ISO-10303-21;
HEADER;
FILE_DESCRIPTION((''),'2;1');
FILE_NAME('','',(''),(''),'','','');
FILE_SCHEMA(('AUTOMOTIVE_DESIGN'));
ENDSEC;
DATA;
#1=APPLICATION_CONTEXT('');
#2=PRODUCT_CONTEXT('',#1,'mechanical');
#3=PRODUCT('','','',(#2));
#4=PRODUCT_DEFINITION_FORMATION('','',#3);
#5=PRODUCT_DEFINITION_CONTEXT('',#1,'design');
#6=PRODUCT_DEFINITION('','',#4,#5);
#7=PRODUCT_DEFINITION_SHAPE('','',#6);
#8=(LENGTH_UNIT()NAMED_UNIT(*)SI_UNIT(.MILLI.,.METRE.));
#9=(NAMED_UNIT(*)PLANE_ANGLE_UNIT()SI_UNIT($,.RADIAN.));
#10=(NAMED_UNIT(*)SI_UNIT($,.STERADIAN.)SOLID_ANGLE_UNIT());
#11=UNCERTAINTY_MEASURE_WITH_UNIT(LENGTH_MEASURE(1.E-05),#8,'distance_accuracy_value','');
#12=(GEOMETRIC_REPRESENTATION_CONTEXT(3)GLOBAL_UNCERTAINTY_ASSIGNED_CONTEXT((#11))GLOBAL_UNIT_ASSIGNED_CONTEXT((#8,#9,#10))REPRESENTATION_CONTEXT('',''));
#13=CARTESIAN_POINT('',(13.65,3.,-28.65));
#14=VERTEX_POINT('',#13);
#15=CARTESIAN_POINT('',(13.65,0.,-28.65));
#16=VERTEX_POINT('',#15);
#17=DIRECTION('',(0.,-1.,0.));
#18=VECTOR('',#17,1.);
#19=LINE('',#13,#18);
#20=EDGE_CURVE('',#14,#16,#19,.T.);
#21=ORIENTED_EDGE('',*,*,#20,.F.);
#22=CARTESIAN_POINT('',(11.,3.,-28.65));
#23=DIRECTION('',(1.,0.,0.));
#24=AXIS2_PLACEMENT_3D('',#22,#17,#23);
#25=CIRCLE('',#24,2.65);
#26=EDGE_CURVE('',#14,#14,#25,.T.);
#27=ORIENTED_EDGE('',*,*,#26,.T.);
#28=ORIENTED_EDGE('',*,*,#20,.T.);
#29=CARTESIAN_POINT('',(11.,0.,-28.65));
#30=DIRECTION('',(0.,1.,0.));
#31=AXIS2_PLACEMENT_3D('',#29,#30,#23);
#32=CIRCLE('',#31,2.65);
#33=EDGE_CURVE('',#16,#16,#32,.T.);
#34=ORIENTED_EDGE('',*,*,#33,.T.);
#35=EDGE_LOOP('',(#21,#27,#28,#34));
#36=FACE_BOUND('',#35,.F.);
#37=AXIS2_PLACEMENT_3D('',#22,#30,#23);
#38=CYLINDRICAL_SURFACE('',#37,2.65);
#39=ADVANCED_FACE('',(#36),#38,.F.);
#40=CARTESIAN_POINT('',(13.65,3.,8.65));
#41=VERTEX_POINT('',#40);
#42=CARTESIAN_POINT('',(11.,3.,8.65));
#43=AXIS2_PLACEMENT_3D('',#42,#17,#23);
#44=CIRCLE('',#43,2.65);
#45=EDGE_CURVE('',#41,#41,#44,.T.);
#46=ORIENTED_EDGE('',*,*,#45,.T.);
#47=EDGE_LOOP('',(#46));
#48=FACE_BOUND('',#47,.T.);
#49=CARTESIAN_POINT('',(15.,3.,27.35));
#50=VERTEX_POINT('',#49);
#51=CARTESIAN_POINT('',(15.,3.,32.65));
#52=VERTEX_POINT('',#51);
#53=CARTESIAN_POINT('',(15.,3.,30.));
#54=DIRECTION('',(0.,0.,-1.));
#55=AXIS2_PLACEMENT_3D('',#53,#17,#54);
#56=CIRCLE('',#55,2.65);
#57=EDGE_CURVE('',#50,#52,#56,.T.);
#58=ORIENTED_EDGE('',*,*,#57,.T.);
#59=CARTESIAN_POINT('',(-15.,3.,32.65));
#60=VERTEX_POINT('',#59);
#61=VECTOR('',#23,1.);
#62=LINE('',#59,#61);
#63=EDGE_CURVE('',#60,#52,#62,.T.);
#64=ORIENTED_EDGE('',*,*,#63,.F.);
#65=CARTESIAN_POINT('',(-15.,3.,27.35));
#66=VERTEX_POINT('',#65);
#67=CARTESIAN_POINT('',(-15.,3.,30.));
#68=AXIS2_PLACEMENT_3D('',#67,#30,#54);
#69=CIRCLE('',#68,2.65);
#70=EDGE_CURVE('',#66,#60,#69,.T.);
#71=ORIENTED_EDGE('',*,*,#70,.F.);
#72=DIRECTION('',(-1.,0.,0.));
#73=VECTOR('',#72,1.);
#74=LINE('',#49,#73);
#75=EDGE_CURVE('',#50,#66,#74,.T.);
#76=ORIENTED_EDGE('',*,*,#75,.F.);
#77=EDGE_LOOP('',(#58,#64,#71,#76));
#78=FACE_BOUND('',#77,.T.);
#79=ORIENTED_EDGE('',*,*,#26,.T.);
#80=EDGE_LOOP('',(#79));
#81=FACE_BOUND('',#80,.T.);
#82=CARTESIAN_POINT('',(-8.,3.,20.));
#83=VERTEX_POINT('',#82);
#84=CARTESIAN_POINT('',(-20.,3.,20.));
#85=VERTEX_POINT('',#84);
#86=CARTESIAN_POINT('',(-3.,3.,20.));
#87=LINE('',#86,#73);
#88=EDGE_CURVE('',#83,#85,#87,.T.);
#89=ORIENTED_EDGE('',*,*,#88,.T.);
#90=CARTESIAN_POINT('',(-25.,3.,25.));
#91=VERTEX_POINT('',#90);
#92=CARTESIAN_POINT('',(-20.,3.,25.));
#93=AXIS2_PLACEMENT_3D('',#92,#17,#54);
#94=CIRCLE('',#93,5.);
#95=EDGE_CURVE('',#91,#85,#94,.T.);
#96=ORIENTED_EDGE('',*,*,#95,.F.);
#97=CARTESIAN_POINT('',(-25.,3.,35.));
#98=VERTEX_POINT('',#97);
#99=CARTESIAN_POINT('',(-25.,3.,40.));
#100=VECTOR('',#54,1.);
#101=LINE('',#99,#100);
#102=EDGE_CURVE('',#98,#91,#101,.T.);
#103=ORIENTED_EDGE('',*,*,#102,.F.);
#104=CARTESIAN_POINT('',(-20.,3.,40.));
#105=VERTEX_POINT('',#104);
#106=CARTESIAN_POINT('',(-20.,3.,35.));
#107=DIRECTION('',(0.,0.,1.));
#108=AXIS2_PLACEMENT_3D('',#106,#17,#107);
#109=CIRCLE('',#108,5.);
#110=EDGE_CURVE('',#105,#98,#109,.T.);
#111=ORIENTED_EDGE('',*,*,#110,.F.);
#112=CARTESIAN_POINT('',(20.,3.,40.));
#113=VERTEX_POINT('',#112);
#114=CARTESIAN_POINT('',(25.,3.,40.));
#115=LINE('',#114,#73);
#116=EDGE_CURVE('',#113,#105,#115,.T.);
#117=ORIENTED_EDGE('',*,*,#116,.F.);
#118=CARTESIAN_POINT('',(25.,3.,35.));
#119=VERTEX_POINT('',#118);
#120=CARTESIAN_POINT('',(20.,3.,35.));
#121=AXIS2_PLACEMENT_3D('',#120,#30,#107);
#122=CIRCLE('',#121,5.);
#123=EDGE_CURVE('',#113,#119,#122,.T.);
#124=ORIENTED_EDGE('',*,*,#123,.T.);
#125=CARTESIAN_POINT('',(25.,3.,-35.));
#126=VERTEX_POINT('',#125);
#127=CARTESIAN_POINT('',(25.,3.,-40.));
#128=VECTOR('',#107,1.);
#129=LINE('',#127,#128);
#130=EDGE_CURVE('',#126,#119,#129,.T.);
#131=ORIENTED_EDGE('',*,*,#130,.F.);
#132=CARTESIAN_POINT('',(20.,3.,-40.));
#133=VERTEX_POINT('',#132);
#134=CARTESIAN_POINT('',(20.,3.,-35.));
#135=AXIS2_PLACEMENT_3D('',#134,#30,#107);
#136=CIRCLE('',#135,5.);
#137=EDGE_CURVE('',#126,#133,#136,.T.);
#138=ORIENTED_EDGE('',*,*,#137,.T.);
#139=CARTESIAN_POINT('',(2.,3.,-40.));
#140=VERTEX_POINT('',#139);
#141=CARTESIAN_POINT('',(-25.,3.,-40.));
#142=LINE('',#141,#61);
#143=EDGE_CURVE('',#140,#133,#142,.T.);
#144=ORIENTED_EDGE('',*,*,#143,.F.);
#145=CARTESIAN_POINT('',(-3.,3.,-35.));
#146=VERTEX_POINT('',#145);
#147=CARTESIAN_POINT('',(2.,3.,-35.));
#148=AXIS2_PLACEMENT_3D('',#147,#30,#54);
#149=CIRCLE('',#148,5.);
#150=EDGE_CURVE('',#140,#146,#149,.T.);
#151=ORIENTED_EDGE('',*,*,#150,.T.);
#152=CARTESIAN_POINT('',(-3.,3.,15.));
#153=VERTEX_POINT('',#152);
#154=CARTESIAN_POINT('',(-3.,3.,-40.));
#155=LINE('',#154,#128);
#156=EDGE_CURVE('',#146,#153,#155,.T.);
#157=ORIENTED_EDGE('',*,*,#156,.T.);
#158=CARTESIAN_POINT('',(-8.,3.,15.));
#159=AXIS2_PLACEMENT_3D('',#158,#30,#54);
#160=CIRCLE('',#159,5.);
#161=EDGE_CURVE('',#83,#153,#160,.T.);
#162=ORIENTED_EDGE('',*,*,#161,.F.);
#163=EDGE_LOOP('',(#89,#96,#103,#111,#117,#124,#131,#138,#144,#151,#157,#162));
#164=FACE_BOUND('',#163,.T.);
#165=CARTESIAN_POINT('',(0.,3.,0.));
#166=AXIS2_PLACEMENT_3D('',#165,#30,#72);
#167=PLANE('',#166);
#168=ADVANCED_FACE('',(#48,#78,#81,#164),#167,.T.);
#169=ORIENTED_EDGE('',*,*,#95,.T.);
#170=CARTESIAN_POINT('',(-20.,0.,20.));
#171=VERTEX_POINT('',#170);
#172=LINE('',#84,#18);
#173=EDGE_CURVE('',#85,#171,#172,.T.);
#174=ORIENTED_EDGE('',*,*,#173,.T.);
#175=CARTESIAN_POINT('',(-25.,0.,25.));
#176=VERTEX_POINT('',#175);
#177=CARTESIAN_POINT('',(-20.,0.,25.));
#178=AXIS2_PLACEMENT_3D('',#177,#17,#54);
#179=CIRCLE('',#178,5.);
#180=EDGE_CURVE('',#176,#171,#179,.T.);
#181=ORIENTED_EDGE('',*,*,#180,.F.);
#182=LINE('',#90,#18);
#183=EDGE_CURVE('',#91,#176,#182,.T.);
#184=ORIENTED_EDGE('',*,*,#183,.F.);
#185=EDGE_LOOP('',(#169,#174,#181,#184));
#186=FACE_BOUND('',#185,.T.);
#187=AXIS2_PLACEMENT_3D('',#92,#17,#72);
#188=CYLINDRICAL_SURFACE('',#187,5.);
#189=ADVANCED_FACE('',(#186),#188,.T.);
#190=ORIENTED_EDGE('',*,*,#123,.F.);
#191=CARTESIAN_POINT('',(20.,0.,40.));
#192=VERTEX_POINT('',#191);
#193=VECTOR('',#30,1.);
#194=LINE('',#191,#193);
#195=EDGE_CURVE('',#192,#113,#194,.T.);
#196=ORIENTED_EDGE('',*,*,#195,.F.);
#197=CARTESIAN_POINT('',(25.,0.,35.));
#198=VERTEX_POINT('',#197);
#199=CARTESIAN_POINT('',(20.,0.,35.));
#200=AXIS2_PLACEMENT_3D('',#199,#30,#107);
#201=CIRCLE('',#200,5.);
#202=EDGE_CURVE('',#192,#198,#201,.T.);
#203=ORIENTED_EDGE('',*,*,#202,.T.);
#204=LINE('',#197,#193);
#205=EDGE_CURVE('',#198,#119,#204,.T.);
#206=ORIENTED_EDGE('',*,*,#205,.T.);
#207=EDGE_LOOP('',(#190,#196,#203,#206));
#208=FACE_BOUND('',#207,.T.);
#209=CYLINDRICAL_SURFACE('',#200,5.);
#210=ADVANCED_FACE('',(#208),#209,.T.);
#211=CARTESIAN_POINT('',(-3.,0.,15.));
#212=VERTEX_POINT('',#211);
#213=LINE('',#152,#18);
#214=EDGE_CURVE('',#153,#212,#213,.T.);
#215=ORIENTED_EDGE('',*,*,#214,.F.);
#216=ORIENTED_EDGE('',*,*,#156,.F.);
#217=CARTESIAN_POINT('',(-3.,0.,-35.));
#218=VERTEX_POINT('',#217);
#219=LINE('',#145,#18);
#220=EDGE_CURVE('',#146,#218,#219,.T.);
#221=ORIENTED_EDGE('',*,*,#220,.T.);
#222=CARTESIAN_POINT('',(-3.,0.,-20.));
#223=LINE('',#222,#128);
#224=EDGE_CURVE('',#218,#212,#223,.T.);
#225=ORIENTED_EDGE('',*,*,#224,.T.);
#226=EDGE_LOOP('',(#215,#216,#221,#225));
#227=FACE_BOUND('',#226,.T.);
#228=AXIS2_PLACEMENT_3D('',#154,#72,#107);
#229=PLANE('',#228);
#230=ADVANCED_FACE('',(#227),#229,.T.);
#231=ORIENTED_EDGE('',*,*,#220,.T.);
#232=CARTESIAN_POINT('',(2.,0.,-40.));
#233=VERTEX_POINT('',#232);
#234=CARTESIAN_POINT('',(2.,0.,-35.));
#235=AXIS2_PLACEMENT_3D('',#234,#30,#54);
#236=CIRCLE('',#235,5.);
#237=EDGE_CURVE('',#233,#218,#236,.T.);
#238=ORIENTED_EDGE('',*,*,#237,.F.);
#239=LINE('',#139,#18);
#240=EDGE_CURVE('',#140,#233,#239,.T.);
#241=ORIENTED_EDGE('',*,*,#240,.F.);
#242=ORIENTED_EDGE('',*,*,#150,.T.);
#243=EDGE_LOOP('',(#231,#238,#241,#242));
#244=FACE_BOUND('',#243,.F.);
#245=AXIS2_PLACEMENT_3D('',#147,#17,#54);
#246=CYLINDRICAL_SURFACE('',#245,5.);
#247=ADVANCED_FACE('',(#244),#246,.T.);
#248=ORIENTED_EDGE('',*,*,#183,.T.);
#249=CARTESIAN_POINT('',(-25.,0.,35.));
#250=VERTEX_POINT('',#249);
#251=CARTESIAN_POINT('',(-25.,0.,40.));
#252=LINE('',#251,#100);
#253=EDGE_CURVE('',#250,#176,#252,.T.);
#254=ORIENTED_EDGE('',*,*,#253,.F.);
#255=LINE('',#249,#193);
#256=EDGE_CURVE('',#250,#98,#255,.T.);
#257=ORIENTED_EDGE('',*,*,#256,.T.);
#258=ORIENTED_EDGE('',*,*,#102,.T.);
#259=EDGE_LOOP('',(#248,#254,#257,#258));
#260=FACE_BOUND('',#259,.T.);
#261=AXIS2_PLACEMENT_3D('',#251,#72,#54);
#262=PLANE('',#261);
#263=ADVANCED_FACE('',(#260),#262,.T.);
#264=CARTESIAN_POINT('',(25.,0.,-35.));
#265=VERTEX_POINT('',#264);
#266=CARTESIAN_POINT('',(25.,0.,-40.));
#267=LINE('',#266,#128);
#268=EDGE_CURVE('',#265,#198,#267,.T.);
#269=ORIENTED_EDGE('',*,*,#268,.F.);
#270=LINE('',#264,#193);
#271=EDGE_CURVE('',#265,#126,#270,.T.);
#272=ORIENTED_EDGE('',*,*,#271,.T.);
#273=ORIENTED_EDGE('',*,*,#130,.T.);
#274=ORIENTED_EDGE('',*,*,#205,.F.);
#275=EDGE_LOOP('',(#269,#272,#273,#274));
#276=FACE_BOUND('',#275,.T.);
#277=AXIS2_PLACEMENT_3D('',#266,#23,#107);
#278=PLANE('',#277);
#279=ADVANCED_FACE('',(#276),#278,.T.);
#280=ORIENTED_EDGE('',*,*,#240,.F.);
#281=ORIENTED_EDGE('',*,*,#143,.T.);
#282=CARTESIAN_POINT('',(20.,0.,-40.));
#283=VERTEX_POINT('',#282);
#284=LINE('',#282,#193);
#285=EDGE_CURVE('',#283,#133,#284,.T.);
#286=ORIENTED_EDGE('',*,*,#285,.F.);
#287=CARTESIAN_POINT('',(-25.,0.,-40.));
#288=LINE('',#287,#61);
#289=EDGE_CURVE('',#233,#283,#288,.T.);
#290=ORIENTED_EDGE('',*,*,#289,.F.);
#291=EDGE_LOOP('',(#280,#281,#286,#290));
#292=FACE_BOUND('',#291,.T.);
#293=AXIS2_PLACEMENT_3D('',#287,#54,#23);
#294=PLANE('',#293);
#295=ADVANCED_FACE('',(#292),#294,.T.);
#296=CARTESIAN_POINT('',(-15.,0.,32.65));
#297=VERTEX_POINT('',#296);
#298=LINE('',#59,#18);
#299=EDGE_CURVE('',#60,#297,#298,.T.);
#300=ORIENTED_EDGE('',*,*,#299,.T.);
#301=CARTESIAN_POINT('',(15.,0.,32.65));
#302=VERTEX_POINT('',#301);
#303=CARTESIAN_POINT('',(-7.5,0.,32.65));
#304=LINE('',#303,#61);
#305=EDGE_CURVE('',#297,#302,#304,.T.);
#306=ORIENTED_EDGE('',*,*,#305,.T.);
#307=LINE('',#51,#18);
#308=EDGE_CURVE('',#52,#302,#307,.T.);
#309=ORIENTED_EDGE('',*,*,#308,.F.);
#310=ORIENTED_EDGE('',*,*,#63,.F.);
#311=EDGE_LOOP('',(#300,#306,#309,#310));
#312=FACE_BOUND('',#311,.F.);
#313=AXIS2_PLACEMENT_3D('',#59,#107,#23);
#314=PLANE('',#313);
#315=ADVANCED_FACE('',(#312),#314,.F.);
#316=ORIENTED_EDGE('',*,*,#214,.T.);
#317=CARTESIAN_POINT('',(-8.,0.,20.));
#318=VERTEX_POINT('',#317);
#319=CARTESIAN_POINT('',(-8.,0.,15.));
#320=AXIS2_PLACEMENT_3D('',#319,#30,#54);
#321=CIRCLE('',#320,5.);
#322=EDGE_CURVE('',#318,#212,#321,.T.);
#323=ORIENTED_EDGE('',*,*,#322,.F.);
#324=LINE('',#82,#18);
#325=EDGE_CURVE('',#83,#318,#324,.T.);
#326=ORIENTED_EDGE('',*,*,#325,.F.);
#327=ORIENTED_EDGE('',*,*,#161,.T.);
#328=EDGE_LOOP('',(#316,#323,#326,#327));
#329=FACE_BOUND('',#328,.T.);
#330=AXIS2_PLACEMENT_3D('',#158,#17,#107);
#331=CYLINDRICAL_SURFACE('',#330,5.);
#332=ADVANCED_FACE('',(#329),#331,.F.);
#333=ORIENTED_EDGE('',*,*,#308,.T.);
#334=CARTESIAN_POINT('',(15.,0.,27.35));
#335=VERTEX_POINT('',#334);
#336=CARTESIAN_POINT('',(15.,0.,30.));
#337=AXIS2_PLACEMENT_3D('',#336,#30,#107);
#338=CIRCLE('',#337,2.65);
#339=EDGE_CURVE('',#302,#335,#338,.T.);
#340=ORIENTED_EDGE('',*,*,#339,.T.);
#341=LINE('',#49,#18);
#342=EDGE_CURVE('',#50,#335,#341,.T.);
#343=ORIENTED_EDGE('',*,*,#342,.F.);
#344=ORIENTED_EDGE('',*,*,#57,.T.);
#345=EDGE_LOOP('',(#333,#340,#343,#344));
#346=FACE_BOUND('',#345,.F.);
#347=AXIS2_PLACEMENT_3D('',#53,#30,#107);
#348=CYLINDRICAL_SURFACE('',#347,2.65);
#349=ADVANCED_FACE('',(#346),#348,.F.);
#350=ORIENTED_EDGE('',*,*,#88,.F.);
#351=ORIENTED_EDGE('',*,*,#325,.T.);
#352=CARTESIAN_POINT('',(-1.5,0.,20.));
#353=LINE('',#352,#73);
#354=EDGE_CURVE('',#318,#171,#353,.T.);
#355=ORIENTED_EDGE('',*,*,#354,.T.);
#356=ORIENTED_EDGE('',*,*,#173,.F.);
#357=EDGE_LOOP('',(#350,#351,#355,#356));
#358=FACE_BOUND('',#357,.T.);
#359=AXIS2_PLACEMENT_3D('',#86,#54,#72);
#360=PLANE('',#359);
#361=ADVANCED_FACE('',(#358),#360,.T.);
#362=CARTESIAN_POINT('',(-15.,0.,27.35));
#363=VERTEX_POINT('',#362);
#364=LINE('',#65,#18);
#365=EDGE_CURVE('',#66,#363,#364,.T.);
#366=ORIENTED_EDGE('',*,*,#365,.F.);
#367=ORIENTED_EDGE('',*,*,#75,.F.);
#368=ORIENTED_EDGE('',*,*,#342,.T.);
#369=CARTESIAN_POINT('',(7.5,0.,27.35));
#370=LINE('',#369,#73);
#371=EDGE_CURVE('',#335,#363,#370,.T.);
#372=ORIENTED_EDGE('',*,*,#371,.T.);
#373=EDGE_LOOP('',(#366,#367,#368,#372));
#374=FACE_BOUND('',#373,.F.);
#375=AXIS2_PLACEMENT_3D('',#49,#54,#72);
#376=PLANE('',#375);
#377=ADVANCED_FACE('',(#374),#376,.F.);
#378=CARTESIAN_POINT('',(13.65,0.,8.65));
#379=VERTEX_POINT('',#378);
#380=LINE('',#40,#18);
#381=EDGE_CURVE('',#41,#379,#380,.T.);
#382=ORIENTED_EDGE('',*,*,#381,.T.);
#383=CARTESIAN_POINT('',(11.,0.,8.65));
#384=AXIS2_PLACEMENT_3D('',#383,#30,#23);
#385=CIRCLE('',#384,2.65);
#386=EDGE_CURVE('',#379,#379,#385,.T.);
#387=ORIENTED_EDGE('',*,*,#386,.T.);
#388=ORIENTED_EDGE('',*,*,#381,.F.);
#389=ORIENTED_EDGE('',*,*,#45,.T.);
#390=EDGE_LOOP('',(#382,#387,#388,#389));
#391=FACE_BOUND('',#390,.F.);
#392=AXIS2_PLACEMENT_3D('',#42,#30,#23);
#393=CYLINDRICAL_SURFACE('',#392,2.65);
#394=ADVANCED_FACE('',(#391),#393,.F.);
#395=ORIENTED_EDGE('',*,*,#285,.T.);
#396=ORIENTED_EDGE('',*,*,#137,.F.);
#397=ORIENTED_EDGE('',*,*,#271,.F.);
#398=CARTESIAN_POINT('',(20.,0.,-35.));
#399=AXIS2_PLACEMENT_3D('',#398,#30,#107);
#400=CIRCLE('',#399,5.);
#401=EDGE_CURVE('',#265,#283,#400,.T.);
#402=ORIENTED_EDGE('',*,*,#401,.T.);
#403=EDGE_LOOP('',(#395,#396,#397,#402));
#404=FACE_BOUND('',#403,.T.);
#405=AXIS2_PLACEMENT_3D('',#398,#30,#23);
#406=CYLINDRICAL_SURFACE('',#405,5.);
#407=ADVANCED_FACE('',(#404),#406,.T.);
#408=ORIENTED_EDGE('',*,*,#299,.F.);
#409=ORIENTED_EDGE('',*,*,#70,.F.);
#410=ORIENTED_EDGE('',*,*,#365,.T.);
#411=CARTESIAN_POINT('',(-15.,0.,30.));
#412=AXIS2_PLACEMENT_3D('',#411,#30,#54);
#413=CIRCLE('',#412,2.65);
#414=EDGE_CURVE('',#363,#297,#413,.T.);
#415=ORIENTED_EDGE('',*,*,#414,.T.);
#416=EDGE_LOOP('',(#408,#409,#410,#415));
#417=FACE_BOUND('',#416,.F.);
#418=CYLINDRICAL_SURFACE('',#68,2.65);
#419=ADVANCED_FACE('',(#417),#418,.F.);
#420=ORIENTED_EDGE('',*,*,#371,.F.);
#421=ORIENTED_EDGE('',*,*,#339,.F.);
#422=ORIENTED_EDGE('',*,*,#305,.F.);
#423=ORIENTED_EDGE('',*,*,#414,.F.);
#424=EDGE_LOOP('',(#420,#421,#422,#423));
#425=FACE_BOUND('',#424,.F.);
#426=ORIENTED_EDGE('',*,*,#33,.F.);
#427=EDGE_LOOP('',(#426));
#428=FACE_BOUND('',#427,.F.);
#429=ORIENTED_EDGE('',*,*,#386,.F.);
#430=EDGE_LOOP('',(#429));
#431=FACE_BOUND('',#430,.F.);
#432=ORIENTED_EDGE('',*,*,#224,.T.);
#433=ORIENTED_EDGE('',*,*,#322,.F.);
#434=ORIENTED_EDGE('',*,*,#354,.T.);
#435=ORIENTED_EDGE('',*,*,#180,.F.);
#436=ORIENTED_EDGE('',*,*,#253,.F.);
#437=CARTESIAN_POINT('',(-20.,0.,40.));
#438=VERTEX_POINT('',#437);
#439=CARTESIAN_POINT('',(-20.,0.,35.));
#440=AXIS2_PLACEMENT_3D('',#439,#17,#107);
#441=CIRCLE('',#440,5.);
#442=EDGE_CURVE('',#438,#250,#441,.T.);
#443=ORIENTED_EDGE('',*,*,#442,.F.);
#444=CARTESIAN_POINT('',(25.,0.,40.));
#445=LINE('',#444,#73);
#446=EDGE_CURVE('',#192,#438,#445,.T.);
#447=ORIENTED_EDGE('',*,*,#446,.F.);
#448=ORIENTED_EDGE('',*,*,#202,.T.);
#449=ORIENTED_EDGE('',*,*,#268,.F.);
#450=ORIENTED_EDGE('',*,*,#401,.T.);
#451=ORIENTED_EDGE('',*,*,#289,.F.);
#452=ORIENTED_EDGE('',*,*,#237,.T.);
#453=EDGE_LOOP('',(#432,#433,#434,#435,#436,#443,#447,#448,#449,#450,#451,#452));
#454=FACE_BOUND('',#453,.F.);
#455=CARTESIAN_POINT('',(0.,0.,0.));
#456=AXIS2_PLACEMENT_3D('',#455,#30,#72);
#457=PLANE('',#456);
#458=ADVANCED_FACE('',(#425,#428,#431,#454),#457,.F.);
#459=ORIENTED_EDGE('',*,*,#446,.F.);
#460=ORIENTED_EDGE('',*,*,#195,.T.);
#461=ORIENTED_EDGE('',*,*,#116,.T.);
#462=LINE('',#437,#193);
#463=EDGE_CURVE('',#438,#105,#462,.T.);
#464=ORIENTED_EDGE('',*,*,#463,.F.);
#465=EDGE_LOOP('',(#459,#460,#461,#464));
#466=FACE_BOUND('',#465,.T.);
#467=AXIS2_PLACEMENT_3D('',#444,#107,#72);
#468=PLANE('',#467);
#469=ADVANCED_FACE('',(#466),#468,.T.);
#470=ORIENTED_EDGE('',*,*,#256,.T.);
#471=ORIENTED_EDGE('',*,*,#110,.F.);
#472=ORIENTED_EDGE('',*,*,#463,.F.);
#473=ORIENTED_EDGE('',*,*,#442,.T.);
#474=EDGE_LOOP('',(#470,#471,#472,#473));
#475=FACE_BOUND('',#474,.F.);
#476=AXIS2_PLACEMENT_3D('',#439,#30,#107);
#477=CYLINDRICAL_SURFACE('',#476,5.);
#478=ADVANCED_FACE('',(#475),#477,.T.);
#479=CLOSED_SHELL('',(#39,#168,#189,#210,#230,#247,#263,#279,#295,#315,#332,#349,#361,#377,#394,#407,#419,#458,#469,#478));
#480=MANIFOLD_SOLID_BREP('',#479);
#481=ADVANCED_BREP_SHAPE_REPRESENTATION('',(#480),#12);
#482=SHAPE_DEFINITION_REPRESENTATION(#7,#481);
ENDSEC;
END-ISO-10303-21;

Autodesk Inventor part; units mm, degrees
ref_plane "YZ Plane" through (0, 0, 0) normal (1, 0, 0) x (0, 1, 0)
ref_plane "XZ Plane" through (0, 0, 0) normal (0, 1, 0) x (-1, 0, 0)
ref_plane "XY Plane" through (0, 0, 0) normal (0, 0, 1) x (1, 0, 0)
sketch "Sketch1" plane through (0, 0, 0) normal (0, 1, 0) x (-1, 0, 0)
  line L0 (-25, 40) -> (25, 40)
  line L1 (25, 40) -> (25, -40)
  line L2 (25, -40) -> (-25, -40)
  line L3 (-25, -40) -> (-25, 40)
  line L4 (-25, 40) -> (25, -40) construction
  line L5 (25, 40) -> (-25, -40) construction
  point P0 (0, 0)
  dimension "d0" = 50
  dimension "d1" = 80
extrude "Extrusion1" add sketch "Sketch1" along normal blind 3
sketch "Sketch2" plane through (0, 3, 0) normal (0, 1, 0) x (1, 0, 0)
  line L0 (25, -40) -> (25, 40) projected
  line L1 (25, 40) -> (11, 40)
  line L2 (11, 40) -> (11, 28.65)
  line L3 (11, 28.65) -> (25, 28.65)
  line L4 (25, 28.65) -> (25, 40)
  line L5 (11, 28.65) -> (11, -8.65)
  circle A0 centre (11, 28.65) radius 2.65
  circle A1 centre (11, -8.65) radius 2.65
  line L6 (-25, -40) -> (25, -40) projected
  line L7 (-25, 40) -> (-25, -40) projected
  line L8 (25, -40) -> (-25, -40)
  line L9 (-25, -40) -> (-25, -30)
  line L10 (-25, -30) -> (25, -30)
  line L11 (25, -30) -> (25, -40)
  line L12 (25, -30) -> (15, -30)
  line L13 (-25, -30) -> (-15, -30)
  line L14 (-15, -30) -> (15, -30) construction
  line L15 (-15, -32.65) -> (15, -32.65)
  line L16 (15, -27.35) -> (-15, -27.35)
  arc A2 (-15, -27.35) -> (-15, -32.65) centre (-15, -30) ccw
  arc A3 (15, -32.65) -> (15, -27.35) centre (15, -30) ccw
  line L17 (-25, -30) -> (-25, 40)
  line L18 (-25, 40) -> (-3, 40)
  line L19 (-3, 40) -> (-3, -20)
  line L20 (-3, -20) -> (-25, -20)
  point P0 (0, 0)
  point P1 (0, -30)
  dimension "d4" = 14
  dimension "d5" = 11.35
  dimension "d6" = 37.3
  dimension "d7" = 5.3
  dimension "d8" = 5.3
  dimension "d9" = 10
  dimension "d10" = 10
  dimension "d11" = 10
  dimension "d12" = 5.3
  dimension "d13" = 22
  dimension "d14" = 60
extrude "Extrusion2" cut sketch "Sketch2" against normal through all contours L7 L18 L19 L20 | A1 | A3 L15 A2 L10 | L10 A2 L16 A3 | A0 L5 L3 | L3 L2 A0 | L5 A0 L2
fillet "Fillet1" radius 5 6 edges at (-25, 1.5, 40) (25, 1.5, 40) (25, 1.5, -40) (-3, 1.5, -40) (-3, 1.5, 20) (-25, 1.5, 20)
properties part number "LeadScrewEndMount"
